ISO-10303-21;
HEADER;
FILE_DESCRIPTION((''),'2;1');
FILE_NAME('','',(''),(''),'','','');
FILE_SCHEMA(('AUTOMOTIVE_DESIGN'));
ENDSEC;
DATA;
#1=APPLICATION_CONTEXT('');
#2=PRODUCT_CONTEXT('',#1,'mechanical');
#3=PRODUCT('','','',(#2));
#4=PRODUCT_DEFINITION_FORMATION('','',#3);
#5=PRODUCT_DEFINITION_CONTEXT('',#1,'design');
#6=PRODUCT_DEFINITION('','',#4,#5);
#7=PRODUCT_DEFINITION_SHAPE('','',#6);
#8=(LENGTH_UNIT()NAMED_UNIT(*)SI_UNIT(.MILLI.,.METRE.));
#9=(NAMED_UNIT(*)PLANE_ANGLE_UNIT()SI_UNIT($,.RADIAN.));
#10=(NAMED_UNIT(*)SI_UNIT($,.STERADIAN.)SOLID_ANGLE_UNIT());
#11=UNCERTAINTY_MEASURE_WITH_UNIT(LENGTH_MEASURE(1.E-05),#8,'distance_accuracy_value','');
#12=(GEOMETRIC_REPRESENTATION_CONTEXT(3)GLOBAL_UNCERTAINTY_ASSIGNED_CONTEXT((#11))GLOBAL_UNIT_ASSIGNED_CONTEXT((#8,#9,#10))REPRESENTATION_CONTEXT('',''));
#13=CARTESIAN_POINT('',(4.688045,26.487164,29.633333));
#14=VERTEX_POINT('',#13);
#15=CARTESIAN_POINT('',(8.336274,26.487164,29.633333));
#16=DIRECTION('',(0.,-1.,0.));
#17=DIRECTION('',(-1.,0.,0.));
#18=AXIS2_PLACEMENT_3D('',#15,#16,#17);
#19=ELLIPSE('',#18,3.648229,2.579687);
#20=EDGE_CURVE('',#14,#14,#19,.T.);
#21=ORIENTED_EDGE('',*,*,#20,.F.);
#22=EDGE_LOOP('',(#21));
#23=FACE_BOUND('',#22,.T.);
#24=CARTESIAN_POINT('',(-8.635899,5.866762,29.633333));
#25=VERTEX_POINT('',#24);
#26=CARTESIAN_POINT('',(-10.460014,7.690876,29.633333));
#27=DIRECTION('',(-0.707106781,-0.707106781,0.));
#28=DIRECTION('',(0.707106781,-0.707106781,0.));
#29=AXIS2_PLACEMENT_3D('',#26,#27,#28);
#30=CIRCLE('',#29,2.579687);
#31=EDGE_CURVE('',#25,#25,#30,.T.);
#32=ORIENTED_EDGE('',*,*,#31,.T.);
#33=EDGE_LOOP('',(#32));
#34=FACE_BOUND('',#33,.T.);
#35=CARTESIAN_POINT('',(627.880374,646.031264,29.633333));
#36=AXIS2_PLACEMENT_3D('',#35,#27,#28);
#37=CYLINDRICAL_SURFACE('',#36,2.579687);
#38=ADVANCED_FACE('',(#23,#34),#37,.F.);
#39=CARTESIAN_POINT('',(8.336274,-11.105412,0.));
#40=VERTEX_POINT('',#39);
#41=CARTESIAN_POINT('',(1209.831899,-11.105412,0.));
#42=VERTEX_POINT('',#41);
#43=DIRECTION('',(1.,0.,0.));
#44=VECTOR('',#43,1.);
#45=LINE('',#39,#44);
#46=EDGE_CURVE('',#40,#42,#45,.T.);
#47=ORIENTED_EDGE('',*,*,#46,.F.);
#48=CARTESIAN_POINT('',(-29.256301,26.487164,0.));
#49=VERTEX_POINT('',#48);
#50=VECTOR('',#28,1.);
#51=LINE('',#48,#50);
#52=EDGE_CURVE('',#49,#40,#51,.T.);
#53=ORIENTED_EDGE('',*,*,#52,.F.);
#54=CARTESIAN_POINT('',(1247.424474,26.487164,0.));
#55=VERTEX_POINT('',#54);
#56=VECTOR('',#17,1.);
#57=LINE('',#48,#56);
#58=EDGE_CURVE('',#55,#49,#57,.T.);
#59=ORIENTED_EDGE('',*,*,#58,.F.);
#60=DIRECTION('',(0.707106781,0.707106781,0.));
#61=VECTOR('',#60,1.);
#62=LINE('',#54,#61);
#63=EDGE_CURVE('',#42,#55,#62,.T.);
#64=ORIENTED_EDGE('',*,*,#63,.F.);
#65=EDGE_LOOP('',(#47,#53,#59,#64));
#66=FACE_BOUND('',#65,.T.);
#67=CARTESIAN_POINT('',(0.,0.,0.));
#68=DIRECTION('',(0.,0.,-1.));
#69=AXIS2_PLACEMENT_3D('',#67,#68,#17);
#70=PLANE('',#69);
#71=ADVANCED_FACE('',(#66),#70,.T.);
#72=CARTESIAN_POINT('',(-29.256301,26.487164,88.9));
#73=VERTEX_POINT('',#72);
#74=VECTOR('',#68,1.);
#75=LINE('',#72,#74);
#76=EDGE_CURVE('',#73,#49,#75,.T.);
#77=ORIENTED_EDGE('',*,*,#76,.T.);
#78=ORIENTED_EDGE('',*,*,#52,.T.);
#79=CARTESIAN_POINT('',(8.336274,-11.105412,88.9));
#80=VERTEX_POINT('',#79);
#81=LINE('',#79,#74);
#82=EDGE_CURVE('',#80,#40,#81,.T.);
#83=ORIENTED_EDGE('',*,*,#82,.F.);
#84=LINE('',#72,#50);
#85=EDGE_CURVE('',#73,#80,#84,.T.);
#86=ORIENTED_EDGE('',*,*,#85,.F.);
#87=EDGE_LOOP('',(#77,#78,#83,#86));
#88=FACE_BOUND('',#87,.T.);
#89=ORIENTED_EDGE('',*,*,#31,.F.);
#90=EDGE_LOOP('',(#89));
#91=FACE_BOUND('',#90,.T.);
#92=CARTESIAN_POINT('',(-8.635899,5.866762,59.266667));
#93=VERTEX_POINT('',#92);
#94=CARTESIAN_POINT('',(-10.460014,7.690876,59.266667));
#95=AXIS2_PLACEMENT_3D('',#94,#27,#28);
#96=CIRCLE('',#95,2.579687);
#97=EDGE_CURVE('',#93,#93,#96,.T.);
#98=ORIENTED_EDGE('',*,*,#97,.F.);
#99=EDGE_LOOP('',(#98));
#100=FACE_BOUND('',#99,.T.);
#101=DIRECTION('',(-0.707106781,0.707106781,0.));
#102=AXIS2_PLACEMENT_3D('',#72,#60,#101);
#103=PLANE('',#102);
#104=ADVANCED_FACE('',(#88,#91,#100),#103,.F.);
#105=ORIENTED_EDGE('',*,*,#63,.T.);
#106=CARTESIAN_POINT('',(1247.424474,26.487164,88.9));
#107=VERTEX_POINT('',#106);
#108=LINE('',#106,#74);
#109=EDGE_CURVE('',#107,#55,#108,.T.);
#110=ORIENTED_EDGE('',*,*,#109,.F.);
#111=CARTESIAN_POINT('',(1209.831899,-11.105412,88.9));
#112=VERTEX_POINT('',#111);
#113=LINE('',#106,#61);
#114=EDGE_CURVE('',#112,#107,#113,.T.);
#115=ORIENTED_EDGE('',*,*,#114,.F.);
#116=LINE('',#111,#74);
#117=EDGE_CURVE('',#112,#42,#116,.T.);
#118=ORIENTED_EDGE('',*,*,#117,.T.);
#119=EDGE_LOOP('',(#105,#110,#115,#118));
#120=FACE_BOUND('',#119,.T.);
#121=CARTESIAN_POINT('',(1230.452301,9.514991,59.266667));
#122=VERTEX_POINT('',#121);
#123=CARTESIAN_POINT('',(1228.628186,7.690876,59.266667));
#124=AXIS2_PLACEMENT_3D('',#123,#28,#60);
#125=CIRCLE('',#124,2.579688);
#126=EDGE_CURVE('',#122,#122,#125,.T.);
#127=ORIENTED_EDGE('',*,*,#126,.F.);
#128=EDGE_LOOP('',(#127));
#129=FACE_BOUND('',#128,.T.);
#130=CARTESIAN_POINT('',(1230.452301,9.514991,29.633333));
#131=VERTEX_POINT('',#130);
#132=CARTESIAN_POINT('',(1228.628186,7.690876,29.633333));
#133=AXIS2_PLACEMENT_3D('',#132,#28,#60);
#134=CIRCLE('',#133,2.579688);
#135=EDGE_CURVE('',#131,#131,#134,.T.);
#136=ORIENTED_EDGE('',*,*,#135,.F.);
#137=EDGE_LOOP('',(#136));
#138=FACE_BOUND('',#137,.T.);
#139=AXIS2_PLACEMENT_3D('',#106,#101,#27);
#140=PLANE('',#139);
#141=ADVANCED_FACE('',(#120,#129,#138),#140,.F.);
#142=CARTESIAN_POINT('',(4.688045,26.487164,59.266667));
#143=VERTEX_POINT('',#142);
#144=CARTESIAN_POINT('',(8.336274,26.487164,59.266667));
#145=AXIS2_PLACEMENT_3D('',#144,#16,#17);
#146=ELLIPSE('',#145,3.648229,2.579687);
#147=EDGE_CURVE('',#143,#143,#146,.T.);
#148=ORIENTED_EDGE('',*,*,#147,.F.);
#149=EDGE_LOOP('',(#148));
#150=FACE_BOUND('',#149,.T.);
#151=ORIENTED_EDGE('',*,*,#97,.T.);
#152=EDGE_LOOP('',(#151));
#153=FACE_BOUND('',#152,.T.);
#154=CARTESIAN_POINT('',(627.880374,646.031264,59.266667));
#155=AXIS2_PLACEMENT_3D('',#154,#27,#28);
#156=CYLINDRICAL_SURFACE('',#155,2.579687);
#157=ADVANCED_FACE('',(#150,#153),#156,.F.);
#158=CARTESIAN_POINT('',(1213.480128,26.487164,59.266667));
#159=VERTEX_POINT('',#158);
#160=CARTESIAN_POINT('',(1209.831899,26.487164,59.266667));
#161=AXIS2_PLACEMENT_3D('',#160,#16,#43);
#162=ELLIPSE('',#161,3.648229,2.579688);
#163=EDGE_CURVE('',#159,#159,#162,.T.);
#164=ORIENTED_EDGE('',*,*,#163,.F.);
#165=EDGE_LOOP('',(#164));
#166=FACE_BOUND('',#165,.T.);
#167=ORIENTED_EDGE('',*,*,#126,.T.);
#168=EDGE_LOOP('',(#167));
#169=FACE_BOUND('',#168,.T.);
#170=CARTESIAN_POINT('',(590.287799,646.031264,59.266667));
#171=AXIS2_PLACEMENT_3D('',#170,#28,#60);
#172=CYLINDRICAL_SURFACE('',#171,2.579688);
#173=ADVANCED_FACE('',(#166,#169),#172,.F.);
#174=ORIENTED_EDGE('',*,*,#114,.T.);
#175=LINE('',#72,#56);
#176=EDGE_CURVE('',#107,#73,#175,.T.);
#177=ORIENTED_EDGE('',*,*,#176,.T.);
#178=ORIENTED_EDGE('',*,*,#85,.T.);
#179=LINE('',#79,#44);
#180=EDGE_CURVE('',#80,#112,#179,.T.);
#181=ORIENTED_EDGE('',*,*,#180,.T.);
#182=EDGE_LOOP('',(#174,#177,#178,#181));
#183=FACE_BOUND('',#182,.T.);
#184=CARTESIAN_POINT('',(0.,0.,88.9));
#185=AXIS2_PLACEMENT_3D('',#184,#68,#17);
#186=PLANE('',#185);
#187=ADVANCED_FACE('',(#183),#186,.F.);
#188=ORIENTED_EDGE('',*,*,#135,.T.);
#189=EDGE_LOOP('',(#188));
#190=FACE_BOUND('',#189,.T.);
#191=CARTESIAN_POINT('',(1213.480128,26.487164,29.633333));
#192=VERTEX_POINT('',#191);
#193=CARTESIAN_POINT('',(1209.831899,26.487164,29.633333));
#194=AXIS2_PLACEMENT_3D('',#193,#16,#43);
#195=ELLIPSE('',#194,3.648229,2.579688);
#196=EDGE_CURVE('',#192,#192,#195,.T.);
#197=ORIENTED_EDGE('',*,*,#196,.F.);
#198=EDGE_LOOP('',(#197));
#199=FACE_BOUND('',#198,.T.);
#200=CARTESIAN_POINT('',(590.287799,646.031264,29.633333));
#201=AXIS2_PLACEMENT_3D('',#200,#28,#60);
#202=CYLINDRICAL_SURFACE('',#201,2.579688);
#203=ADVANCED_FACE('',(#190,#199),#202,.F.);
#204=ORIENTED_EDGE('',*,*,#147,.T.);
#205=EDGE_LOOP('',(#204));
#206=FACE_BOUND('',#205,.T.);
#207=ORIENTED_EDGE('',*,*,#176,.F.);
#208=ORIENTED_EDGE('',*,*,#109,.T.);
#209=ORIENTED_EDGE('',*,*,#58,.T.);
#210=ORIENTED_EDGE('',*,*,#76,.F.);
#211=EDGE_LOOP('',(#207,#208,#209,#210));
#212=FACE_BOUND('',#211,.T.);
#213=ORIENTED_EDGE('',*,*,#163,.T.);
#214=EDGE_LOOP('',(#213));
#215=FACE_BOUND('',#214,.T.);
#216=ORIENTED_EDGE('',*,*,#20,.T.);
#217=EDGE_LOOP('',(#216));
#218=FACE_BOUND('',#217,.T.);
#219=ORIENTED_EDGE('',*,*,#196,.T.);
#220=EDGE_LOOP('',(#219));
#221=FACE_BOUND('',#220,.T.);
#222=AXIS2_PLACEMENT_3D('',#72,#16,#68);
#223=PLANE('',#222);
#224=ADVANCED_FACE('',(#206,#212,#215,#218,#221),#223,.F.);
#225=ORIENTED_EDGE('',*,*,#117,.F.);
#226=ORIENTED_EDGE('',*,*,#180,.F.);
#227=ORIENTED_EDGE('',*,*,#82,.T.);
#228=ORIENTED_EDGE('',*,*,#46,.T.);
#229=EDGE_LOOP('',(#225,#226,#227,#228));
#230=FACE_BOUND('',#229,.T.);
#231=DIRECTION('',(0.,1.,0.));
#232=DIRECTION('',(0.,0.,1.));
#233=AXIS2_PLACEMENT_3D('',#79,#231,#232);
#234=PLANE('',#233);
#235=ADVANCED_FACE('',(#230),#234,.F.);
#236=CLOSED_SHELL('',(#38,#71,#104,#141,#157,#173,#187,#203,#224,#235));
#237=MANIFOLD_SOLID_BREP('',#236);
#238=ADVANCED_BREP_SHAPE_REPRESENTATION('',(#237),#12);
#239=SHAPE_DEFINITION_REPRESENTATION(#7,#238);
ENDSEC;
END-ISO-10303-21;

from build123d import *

# Parameters (mm, degrees)
BOSS_EXTRUDE1_DEPTH = 88.9
SKETCH2_R           = 2.5796875
CUT_EXTRUDE1_DEPTH  = 903.74963352
SKETCH3_R           = 2.5796875
CUT_EXTRUDE2_DEPTH  = 903.74963352


with BuildPart() as part:
    # Sketch1 → Boss-Extrude1 (new body)
    with BuildSketch(Plane.XY):
        Polygon((-29.256301488, 26.487163625), (1247.424473663, 26.487163625), (1209.831898512, -11.105411527), (8.336273663, -11.105411527), align=None)
    extrude(amount=BOSS_EXTRUDE1_DEPTH)

    # Sketch2 → Cut-Extrude1 (cut, through all)
    with BuildSketch(Plane(origin=(-1.384568932, -1.384568932, 0), x_dir=(0, 0, 1), z_dir=(-0.707106781, -0.707106781, 0))):
        with Locations((29.633333333, 12.834617376)):
            Circle(SKETCH2_R)
        with Locations((59.266666667, 12.834617376)):
            Circle(SKETCH2_R)
    extrude(amount=-CUT_EXTRUDE1_DEPTH, mode=Mode.SUBTRACT)

    # Sketch3 → Cut-Extrude2 (cut, through all)
    with BuildSketch(Plane(origin=(610.468655019, -610.468655019, 0), x_dir=(0, 0, -1), z_dir=(0.707106781, -0.707106781, 0))):
        with Locations((-59.266666667, 874.209592547)):
            Circle(SKETCH3_R)
        with Locations((-29.633333333, 874.209592547)):
            Circle(SKETCH3_R)
    extrude(amount=-CUT_EXTRUDE2_DEPTH, mode=Mode.SUBTRACT)


solid = part.part
